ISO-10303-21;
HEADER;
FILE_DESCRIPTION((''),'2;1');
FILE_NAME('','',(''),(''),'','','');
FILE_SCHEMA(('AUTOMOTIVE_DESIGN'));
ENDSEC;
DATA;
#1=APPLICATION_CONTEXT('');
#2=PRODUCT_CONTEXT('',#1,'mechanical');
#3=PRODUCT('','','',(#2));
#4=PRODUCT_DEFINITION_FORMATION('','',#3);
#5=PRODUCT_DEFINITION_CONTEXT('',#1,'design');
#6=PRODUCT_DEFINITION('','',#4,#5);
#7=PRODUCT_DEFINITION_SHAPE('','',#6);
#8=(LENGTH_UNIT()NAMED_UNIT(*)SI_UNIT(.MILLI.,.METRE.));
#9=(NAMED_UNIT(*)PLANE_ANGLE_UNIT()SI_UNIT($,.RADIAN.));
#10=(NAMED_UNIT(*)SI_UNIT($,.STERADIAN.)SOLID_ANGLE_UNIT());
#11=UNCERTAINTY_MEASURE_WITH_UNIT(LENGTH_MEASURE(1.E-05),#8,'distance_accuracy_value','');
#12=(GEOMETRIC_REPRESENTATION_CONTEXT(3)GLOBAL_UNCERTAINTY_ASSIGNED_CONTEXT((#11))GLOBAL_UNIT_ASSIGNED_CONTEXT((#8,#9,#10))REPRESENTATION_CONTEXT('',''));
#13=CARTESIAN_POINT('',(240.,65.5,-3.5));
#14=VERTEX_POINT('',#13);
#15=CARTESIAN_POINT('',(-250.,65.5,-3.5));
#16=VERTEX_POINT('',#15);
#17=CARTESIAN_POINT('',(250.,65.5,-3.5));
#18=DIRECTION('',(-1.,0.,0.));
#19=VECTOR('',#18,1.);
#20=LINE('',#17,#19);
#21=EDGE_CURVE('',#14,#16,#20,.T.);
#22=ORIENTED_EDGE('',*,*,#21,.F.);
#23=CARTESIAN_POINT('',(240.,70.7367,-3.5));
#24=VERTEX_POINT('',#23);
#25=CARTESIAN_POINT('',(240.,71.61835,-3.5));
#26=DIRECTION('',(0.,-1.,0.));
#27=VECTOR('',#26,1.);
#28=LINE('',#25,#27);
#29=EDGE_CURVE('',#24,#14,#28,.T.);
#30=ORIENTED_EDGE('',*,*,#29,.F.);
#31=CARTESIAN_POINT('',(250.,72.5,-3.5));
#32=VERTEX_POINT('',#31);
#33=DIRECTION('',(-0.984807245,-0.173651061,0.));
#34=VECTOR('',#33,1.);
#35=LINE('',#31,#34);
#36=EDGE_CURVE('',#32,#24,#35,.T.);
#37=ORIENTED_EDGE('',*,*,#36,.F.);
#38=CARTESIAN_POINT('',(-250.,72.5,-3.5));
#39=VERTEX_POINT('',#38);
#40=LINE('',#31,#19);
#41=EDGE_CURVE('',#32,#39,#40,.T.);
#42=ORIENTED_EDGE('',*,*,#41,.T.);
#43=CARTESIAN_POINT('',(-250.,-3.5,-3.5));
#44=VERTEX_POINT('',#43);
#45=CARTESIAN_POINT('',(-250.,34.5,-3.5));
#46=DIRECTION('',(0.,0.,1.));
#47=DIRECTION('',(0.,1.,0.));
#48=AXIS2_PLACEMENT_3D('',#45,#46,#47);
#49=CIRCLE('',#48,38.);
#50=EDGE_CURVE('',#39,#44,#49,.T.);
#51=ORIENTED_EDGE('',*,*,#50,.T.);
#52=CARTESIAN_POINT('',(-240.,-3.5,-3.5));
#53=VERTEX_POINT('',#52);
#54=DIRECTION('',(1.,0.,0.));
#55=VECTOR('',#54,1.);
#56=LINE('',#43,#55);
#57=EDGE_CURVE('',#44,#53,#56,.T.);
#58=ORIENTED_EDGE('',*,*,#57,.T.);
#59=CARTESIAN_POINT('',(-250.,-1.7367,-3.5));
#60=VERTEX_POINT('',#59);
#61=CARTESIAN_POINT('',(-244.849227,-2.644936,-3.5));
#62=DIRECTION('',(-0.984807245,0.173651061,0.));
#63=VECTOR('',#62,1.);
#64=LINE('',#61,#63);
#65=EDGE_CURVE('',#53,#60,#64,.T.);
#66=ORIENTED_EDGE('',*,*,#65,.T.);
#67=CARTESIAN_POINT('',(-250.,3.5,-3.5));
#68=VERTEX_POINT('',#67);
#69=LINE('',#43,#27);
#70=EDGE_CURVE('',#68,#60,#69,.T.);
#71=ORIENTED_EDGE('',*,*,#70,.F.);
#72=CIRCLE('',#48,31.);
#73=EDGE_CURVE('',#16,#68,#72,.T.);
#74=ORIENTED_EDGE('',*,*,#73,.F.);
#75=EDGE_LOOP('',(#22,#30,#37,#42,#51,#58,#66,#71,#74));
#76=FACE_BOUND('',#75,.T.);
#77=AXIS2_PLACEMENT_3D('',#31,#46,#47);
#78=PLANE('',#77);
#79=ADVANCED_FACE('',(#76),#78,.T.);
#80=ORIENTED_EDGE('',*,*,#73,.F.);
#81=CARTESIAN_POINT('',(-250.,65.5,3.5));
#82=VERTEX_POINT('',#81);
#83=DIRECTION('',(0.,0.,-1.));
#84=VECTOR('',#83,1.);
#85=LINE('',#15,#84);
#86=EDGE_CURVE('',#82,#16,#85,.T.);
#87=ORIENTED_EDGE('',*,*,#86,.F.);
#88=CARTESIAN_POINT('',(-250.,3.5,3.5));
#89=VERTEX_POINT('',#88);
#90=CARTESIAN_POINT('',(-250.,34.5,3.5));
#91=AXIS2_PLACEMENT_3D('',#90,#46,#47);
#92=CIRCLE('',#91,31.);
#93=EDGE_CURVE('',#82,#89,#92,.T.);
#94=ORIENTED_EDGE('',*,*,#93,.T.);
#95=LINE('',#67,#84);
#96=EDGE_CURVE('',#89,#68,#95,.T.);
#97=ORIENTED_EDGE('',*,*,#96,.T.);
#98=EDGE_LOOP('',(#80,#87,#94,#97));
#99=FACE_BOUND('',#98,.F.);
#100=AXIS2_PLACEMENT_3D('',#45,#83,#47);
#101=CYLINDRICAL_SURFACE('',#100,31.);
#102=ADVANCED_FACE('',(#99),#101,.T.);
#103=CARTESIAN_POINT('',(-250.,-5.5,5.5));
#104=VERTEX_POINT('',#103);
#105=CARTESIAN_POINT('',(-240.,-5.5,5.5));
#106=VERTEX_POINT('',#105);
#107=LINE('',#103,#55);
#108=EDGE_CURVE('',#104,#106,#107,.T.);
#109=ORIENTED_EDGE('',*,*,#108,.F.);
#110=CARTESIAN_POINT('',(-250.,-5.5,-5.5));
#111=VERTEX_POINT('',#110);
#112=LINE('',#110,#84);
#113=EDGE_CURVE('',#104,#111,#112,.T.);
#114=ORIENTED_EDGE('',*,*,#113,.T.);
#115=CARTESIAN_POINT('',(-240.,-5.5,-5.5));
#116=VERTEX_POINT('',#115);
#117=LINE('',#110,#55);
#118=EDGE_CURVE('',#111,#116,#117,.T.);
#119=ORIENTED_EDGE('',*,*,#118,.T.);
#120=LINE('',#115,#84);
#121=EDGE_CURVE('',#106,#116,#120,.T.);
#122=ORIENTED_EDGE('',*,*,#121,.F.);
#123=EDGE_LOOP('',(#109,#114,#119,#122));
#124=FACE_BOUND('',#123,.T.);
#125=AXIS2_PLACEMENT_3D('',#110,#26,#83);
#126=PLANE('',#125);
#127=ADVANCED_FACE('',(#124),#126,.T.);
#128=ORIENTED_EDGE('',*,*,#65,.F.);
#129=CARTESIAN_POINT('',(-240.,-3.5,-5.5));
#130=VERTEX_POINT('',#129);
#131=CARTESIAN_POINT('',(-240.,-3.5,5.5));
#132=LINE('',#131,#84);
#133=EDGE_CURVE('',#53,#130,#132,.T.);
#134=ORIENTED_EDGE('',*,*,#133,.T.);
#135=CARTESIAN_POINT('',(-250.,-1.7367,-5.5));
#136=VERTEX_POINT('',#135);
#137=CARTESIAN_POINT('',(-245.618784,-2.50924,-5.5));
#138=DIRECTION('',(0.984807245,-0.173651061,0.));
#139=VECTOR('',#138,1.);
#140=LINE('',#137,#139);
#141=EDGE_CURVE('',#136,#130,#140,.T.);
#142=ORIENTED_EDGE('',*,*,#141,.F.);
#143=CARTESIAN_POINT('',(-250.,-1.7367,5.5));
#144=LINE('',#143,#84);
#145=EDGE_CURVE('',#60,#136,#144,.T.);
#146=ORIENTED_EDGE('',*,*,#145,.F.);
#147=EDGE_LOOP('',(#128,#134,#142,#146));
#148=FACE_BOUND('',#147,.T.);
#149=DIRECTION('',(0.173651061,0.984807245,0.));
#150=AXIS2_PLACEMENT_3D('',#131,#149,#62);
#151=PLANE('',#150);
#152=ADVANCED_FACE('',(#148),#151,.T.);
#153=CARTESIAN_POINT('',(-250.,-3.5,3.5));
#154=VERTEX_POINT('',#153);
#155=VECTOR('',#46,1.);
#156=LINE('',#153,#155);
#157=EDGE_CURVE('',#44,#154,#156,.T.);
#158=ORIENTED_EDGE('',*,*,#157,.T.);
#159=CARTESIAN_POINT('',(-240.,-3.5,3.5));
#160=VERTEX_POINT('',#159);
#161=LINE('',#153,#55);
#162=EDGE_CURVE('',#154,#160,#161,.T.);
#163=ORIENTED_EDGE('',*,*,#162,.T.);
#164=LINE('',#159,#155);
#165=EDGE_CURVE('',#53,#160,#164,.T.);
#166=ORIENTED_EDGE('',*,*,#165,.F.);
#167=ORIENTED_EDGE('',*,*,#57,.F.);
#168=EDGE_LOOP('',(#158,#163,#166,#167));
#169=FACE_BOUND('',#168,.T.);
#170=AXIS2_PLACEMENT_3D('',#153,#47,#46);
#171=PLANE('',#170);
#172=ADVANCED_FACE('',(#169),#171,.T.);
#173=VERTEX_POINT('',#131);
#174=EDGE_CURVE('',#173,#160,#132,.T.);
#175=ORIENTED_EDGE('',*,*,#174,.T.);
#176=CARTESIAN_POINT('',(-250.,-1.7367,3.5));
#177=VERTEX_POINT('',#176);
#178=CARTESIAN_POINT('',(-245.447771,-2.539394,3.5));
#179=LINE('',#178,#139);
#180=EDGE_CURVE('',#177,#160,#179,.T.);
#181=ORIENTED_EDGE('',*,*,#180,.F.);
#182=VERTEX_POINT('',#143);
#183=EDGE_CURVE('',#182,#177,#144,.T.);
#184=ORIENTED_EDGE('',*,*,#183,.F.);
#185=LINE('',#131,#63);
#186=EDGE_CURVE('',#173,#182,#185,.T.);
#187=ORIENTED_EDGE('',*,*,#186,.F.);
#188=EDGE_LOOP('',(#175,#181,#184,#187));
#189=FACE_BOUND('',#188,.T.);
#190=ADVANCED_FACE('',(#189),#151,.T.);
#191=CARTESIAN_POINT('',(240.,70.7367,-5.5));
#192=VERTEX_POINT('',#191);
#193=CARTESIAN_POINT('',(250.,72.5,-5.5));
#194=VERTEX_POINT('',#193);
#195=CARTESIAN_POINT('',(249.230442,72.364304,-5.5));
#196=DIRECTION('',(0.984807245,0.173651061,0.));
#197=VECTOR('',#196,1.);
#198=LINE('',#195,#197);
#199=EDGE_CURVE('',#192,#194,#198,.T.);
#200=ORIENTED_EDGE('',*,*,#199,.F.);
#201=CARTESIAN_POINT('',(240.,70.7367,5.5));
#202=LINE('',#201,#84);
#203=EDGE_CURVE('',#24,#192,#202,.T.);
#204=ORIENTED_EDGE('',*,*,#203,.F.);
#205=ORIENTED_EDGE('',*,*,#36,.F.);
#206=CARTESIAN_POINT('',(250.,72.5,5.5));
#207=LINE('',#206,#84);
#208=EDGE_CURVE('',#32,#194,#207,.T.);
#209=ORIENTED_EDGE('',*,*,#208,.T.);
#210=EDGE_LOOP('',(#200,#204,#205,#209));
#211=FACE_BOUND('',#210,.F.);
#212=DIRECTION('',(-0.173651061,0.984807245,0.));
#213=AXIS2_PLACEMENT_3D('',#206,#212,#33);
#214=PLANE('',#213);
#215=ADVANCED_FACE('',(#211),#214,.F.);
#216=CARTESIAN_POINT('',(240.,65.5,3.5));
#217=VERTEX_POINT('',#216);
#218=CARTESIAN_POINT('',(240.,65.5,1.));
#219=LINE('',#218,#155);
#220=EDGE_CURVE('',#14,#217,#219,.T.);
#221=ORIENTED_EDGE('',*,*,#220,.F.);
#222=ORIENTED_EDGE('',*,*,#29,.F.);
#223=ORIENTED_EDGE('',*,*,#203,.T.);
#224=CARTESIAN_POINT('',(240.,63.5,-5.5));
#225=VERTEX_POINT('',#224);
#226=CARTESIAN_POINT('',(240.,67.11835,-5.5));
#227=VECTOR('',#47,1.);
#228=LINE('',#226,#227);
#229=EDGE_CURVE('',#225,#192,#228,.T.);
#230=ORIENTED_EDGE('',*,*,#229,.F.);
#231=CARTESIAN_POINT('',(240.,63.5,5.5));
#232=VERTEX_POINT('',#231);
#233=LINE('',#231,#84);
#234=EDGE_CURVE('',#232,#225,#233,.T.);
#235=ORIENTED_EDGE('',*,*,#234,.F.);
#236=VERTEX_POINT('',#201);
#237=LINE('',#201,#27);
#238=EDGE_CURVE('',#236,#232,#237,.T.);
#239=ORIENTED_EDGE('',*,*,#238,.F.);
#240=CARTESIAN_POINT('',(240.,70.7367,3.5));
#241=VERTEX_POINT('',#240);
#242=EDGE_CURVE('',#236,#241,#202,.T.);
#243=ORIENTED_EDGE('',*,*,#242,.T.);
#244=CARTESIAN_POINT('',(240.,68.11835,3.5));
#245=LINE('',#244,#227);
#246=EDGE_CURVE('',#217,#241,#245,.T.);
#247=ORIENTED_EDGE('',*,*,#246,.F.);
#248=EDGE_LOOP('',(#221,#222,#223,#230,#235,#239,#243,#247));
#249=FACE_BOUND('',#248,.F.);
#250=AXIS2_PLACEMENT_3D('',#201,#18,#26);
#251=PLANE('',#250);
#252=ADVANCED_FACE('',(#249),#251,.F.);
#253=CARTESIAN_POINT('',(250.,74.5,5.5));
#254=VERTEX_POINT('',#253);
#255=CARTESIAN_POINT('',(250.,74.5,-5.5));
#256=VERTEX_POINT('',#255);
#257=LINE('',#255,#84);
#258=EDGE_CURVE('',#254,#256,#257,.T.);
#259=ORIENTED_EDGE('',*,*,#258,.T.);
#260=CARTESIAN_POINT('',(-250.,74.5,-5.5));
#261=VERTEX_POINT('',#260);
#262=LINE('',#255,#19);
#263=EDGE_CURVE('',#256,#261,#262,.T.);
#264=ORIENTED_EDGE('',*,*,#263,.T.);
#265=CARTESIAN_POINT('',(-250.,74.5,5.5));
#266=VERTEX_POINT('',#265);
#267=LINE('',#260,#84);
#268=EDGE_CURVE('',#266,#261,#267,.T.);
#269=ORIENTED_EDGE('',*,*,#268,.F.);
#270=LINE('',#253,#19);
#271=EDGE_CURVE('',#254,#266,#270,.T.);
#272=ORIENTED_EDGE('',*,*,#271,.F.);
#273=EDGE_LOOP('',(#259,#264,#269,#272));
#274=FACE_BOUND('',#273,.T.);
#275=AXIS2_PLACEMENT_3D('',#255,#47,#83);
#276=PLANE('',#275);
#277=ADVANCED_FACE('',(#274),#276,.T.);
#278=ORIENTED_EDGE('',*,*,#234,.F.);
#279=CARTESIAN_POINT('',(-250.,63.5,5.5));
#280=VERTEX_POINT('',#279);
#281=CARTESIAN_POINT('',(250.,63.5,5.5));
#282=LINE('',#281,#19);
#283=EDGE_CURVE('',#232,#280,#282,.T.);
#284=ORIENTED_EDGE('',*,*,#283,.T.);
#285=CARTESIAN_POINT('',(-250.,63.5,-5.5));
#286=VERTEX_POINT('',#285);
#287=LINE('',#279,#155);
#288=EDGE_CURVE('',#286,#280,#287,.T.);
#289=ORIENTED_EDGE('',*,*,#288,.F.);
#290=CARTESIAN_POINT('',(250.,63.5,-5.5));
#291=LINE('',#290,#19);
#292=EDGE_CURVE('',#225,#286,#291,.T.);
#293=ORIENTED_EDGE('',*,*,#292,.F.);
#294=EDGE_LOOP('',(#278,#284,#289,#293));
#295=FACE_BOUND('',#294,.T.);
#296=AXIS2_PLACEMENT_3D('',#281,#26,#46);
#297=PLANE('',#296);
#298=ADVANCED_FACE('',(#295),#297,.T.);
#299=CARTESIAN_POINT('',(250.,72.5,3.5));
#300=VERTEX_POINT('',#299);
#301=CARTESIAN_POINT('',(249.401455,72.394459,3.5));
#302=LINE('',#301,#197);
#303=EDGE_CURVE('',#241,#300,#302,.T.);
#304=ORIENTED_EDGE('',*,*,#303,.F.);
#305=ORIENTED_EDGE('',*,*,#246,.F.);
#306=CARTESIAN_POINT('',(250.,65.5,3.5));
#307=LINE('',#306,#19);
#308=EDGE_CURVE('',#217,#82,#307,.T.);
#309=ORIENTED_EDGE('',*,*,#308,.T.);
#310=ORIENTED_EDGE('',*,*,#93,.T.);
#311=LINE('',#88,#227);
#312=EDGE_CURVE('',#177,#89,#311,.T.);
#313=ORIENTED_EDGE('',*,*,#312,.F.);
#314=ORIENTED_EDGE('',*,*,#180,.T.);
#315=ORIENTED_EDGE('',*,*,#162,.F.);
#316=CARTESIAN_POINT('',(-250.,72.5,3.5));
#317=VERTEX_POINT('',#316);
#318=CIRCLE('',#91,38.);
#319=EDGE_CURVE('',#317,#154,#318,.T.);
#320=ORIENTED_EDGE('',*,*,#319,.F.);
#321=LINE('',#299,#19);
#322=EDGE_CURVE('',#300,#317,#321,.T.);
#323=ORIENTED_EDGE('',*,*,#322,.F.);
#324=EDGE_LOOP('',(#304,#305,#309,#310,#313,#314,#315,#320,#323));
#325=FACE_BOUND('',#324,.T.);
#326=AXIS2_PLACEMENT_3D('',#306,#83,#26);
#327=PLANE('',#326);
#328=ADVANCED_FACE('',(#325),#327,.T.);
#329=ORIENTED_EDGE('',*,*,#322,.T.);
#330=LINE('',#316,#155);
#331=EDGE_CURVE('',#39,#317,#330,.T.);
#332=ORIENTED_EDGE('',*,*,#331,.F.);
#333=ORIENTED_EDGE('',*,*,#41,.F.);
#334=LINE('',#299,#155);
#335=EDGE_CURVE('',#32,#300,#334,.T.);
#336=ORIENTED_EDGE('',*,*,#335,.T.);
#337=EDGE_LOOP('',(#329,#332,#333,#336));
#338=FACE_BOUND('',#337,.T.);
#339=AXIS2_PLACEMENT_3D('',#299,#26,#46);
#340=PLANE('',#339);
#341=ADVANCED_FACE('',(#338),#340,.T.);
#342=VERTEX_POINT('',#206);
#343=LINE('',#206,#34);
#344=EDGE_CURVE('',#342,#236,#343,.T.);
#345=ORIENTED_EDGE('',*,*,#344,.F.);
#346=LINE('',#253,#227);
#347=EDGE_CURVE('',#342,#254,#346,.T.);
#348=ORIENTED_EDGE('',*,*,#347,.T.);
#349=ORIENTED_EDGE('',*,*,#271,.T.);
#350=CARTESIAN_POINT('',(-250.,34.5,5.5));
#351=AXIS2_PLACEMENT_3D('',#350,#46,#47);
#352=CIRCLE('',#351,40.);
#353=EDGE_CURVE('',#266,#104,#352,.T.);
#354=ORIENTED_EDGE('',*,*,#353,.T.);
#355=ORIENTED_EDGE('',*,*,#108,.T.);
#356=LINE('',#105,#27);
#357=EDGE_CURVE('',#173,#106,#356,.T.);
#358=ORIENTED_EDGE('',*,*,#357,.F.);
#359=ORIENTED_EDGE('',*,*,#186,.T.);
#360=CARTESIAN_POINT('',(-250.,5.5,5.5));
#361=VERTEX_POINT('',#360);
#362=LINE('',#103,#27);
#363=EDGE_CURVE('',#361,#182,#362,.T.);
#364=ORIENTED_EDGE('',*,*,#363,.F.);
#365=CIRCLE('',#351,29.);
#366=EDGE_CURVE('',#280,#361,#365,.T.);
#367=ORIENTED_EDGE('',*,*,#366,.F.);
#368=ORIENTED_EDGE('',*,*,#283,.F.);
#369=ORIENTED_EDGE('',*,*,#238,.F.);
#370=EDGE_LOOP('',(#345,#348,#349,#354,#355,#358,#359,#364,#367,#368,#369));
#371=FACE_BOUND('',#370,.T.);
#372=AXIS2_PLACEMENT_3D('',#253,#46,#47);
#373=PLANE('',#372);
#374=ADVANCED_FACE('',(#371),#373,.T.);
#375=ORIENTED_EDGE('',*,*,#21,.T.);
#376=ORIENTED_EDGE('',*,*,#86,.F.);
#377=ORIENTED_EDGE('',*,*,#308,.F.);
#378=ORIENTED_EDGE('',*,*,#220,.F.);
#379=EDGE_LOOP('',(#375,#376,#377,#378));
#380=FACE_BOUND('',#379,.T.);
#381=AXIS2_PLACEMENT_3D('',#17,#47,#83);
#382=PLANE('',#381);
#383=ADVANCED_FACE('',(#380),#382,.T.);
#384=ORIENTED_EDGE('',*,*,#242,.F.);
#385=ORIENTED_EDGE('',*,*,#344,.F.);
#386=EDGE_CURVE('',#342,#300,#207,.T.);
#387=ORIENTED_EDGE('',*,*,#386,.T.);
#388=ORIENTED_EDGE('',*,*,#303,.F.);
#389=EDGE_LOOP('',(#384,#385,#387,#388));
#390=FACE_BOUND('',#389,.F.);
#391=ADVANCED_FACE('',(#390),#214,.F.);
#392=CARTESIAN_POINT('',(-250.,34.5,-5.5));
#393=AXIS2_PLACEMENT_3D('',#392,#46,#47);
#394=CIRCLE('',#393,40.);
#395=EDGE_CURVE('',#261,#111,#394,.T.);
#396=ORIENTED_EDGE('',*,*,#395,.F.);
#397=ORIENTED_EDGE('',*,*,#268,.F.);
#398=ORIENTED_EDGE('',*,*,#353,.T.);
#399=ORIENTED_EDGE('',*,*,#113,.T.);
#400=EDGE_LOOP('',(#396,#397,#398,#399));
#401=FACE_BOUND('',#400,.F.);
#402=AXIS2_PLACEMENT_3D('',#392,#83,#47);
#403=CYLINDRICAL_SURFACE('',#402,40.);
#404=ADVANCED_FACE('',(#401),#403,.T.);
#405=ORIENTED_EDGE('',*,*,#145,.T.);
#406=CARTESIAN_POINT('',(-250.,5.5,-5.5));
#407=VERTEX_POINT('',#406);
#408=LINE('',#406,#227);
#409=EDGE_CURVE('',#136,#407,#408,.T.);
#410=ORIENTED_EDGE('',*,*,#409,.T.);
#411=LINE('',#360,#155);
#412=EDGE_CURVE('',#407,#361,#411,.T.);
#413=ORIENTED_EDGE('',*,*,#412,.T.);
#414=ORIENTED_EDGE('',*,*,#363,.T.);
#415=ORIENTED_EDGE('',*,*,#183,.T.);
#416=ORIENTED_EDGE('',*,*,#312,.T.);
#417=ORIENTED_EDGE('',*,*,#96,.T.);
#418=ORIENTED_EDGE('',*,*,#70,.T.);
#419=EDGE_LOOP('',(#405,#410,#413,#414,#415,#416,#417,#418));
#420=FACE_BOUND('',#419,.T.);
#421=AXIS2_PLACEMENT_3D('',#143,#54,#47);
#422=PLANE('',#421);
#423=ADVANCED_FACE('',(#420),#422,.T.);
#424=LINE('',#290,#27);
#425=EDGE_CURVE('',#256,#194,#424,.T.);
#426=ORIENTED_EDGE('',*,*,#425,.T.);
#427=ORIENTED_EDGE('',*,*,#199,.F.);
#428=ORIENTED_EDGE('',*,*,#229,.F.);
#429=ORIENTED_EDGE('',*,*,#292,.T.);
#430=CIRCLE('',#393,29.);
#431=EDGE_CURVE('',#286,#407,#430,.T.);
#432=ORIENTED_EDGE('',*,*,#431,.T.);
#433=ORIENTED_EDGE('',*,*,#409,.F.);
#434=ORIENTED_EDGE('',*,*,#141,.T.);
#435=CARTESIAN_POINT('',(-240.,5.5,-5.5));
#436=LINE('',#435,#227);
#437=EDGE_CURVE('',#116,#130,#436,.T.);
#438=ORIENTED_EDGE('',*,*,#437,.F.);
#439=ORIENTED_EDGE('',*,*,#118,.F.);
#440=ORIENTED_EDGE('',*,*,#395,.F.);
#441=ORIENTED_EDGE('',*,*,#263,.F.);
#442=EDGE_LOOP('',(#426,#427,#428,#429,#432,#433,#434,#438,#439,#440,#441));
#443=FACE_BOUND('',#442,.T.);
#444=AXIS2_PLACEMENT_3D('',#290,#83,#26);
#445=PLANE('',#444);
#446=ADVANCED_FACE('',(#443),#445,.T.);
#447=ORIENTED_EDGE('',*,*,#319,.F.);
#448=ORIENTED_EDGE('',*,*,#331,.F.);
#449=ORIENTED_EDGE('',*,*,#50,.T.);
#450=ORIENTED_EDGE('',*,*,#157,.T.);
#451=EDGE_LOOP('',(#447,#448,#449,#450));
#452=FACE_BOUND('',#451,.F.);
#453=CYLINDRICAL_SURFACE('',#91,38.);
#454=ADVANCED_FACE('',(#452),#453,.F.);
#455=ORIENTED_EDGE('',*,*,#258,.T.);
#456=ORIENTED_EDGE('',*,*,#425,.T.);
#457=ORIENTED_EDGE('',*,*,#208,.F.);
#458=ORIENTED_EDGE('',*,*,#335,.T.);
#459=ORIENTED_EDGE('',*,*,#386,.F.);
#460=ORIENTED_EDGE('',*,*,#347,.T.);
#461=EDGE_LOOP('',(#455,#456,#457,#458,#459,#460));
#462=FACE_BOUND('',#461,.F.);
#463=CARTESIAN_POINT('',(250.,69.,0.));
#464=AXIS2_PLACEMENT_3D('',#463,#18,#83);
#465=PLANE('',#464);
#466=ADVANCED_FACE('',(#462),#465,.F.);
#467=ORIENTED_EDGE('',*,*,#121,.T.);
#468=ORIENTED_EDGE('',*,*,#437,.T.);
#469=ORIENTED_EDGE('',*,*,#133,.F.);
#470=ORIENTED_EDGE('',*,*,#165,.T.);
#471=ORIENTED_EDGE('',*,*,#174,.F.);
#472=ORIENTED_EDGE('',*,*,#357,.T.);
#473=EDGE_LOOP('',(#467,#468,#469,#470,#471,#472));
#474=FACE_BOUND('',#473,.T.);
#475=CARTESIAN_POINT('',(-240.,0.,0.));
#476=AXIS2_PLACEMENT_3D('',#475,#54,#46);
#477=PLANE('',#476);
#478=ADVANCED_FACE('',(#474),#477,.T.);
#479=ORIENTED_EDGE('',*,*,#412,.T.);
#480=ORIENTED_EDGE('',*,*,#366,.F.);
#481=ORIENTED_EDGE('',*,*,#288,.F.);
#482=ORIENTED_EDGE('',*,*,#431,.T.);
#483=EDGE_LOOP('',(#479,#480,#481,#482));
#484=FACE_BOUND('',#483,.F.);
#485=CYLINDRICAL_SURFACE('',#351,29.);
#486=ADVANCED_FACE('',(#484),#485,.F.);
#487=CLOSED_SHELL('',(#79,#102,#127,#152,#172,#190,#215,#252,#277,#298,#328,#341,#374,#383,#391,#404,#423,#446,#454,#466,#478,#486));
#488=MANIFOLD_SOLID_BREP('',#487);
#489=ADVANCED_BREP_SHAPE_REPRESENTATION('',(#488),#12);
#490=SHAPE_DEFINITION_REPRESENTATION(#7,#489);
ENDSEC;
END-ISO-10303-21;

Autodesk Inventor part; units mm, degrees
ref_plane "YZ Plane" through (0, 0, 0) normal (1, 0, 0) x (0, 1, 0)
ref_plane "XZ Plane" through (0, 0, 0) normal (0, 1, 0) x (-1, 0, 0)
sketch "Sketch1" plane through (0, 0, 0) normal (0, 0, 1) x (1, 0, 0)
  line L0 (250, 69) -> (-250, 69)
  line L1 (-53.0332, 0) -> (53.0332, 0) construction
  arc A0 (-250, 69) -> (-250, 0) centre (-250, 34.5) ccw
  line L2 (-250, 0) -> (-240, 0)
  point P0 (0, 0)
  point P1 (0, 69)
  point P2 (0, 0)
  dimension "d0" = 500
  dimension "d1" = 69
  dimension "d25" = 10
ref_plane "Work Plane1" through (250, 69, 0) normal (-1, 0, 0) x (0, -1, 0)
sketch "Sketch2" plane through (250, 69, 0) normal (-1, 0, 0) x (0, -1, 0)
  line L0 (3.5, 3.5) -> (-3.5, 3.5)
  line L1 (-3.5, 3.5) -> (-3.5, -3.5)
  line L2 (-3.5, -3.5) -> (3.5, -3.5)
  line L3 (3.5, -3.5) -> (3.5, 3.5)
  line L4 (-5.5, 5.5) -> (5.5, 5.5)
  line L5 (5.5, 5.5) -> (5.5, -5.5)
  line L6 (5.5, -5.5) -> (-5.5, -5.5)
  line L7 (-5.5, -5.5) -> (-5.5, 5.5)
  point P0 (69, 0)
  point P1 (0, 3.5)
  point P2 (3.5, 0)
  point P3 (0, 0)
  point P4 (0, 0)
  point P5 (0, 0)
  dimension "d2" = 7
  dimension "d3" = 7
  dimension "d4" = 2
sweep "Sweep1" add profiles "Sketch2" path "Sketch1"
sketch "Sketch3" plane through (250, 63.5, 5.5) normal (0, 0, 1) x (1, 0, 0)
  line L0 (0, 9) -> (-500, 9) projected
  line L1 (0, 9) -> (-10, 7.2367)
  line L2 (-10, 7.2367) -> (-10, 0)
  line L3 (0, 0) -> (-500, 0) projected
  line L4 (0, 0) -> (-500, 0) projected
  line L5 (0, 0) -> (0, 11) projected
  line L6 (-500, -67) -> (-490, -67) projected
  line L7 (-490, -67) -> (-500, -65.2367)
  line L8 (-500, -65.2367) -> (-500, -58)
  line L9 (-490, -58) -> (-490, -69) projected
  line L10 (-500, -58) -> (-490, -58) projected
  dimension "d29" = 100
  dimension "d30" = 10
  dimension "d33" = 100
  dimension "d34" = 10
extrude "Extrusion1" cut sketch "Sketch3" against normal through all
properties part number "0008-10-1026 wire chain Y"
